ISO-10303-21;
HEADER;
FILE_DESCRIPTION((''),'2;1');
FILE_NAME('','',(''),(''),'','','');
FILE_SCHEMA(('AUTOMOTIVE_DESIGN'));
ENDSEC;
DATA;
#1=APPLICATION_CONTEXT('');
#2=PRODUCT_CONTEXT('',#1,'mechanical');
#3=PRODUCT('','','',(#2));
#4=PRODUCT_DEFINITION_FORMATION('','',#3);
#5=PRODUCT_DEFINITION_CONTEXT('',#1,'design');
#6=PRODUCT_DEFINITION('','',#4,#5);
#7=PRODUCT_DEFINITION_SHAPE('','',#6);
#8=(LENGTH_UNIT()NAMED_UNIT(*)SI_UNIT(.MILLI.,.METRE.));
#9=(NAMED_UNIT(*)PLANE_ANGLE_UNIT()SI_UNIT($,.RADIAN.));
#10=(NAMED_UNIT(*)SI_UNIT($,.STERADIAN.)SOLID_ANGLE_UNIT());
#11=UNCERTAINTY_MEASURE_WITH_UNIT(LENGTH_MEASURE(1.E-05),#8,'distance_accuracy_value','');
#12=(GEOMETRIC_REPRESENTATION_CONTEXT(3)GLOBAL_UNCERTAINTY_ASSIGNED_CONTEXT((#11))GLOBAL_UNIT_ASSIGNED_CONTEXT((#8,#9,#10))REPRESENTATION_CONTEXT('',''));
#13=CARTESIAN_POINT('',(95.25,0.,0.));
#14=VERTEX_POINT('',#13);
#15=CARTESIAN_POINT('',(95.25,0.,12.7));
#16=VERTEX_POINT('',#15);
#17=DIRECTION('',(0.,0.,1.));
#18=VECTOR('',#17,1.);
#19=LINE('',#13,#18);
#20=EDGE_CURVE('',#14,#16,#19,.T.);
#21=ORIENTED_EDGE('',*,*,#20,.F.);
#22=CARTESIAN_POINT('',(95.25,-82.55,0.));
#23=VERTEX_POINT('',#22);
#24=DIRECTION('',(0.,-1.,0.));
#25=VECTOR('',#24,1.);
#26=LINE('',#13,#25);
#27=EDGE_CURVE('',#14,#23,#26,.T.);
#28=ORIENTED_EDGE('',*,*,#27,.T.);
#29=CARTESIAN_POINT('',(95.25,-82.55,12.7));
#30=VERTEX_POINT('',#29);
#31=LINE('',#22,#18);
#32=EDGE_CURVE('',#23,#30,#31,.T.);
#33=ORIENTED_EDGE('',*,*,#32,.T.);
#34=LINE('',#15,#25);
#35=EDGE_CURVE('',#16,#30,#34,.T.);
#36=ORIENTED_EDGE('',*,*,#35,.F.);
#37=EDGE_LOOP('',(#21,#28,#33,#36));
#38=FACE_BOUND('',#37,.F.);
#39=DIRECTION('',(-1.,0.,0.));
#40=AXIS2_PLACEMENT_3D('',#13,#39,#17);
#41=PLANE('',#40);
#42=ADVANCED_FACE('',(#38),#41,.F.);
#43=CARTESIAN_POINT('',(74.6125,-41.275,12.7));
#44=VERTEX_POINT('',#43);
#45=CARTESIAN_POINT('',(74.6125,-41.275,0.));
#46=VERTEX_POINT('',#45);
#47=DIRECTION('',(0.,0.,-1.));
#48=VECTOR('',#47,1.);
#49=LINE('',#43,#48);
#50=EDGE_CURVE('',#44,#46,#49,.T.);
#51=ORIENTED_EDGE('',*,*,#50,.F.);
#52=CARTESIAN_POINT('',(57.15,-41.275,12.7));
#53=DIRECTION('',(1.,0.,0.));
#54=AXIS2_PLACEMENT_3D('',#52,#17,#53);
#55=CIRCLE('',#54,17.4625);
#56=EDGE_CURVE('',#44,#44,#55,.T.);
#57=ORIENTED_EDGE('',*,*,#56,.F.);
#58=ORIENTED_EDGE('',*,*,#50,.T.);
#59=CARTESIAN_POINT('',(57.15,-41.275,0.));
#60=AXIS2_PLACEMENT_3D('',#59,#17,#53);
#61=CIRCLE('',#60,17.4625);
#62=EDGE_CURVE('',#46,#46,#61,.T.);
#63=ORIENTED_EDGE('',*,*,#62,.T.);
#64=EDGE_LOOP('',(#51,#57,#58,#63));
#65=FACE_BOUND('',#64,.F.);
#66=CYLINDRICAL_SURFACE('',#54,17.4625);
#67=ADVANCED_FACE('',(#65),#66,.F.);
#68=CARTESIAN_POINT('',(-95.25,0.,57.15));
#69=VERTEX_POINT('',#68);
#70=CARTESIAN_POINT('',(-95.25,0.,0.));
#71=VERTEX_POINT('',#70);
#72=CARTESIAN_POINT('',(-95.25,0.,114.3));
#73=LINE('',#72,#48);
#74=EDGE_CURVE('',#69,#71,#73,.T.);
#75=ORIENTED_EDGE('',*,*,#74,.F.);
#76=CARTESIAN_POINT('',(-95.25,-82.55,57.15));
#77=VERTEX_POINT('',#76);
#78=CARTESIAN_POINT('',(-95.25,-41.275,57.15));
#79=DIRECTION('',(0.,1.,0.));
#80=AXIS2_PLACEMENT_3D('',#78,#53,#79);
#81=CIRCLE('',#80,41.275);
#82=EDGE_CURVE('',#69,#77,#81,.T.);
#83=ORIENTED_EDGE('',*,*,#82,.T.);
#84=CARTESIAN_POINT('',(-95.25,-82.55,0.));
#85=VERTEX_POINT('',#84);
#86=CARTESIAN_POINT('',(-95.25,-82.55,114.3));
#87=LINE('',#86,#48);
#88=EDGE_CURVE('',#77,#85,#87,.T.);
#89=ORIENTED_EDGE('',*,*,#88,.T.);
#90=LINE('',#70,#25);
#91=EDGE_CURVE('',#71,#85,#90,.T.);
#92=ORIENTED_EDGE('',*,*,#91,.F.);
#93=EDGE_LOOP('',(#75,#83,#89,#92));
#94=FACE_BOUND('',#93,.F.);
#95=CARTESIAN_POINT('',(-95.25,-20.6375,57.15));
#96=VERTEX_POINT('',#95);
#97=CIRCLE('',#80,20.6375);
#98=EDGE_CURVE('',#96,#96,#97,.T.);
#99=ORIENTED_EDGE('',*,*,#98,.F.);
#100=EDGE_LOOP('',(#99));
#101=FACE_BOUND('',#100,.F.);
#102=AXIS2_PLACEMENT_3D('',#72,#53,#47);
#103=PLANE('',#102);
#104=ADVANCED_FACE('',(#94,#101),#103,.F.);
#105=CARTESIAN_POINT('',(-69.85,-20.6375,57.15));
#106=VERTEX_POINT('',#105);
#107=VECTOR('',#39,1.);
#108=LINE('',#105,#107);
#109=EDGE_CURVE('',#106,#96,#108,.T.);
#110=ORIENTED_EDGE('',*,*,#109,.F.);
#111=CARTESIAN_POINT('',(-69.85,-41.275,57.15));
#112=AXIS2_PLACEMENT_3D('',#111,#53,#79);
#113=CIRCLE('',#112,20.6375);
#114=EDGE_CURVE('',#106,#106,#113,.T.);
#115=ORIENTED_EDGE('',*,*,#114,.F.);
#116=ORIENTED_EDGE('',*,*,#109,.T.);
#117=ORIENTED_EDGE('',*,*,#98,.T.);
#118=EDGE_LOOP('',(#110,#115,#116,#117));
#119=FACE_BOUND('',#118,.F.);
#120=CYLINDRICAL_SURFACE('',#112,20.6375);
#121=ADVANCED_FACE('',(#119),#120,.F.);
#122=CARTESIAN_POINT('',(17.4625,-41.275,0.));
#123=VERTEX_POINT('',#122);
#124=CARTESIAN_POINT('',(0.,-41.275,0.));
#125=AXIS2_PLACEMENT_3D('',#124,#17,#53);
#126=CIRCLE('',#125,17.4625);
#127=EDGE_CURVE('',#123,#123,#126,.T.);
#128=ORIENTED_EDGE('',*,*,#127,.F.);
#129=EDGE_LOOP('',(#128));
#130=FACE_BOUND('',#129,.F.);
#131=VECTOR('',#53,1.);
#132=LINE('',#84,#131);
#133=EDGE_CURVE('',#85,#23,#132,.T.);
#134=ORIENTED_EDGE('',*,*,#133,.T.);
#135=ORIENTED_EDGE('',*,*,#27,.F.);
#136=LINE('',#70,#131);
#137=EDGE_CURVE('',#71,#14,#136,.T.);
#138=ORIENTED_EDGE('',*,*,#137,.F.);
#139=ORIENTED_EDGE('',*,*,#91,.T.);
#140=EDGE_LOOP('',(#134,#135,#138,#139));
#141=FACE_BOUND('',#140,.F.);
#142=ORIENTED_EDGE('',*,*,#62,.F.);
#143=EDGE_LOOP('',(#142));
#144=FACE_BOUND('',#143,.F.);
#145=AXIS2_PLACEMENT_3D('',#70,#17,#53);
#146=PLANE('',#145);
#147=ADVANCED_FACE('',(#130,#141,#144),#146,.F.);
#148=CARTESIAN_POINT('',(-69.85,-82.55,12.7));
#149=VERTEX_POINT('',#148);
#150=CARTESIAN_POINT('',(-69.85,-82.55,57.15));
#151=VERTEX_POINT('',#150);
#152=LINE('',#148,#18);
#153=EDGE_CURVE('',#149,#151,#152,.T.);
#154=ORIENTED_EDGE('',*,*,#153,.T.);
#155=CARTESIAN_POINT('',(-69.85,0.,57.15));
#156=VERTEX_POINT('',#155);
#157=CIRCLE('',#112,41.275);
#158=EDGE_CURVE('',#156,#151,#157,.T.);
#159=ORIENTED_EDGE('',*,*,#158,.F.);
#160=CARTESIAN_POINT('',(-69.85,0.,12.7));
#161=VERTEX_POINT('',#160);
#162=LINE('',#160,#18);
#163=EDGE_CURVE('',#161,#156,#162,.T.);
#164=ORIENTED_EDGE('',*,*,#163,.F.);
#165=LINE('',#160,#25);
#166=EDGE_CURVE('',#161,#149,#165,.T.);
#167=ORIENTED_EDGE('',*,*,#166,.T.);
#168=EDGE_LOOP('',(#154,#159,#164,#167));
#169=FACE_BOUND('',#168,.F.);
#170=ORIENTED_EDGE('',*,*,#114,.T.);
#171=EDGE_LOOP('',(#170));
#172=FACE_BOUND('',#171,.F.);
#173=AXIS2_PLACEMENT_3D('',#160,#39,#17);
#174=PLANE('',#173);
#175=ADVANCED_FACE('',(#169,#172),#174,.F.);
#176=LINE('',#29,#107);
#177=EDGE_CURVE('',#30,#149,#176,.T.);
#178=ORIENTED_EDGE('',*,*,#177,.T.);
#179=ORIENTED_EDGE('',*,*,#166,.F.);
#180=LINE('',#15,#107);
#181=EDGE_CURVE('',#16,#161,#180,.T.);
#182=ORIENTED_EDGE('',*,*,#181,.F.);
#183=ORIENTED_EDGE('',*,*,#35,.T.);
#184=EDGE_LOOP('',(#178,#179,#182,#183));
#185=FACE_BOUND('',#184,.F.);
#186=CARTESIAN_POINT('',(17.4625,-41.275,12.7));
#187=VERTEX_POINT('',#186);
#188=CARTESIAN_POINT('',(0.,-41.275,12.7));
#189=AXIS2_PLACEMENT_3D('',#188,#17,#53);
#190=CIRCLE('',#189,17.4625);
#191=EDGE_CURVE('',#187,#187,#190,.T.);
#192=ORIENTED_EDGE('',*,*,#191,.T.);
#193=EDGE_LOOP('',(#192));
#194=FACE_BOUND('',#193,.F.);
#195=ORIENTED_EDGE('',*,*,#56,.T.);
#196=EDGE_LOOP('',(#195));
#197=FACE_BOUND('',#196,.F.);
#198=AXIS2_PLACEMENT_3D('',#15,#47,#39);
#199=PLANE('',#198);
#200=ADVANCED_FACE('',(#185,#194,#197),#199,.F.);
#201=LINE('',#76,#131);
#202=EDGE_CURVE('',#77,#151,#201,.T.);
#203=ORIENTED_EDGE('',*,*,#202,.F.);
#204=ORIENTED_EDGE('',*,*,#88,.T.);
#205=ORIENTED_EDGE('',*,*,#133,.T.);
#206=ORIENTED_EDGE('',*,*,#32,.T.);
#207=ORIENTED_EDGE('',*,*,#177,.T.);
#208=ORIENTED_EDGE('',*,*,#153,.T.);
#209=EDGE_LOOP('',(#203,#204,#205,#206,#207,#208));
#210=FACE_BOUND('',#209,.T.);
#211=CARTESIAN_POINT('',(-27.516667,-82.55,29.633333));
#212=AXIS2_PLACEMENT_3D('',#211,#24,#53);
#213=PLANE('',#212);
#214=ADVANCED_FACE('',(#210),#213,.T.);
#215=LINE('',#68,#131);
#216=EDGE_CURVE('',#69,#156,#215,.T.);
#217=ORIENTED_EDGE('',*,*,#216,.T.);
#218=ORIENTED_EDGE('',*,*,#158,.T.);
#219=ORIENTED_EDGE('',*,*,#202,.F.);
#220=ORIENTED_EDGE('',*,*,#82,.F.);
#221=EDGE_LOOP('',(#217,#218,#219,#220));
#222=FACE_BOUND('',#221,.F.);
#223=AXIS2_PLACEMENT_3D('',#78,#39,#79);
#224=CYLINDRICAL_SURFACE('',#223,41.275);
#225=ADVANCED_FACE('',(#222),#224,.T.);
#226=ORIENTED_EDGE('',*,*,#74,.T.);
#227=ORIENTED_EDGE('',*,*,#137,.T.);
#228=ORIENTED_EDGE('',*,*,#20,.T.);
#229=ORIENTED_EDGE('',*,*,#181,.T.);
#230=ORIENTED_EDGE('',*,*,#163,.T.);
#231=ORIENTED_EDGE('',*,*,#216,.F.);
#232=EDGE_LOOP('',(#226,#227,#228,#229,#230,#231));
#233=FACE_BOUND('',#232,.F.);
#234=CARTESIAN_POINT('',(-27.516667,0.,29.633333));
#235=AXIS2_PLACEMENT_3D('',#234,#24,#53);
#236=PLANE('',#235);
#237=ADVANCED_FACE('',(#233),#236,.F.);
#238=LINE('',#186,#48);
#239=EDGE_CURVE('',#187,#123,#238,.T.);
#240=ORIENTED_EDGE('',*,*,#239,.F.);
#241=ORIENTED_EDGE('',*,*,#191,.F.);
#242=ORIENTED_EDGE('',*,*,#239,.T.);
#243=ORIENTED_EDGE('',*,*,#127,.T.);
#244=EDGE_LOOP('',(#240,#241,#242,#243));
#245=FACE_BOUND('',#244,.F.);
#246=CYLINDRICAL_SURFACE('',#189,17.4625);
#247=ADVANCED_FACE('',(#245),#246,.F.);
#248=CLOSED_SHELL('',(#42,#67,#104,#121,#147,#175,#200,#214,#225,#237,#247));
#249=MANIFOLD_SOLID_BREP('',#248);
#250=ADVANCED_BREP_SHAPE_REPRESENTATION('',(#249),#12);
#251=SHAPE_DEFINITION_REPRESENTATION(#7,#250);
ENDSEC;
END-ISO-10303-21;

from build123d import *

# Parameters (mm, degrees)
F1_DEPTH = 82.55
F3_DEPTH = 25.4
F4_R     = 20.6375
F5_DEPTH = 25.4
F6_R     = 17.4625
F7_DEPTH = 25.4


with BuildPart() as f1:
    # F0 (on Front) → F1 (new body)
    with BuildSketch(Plane.XZ):
        Polygon((-95.25, 0), (0, 0), (95.25, 0), (95.25, 12.7), (-69.85, 12.7), (-69.85, 114.3), (-95.25, 114.3), align=None)
    extrude(amount=F1_DEPTH)

    # F2 (on face) → F3 (cut)
    with BuildSketch(Plane(origin=(-95.25, 0, 0), x_dir=(0, -1, 0), z_dir=(-1, 0, 0))):
        with BuildLine():
            ThreePointArc((0, 57.15), (41.275, 98.425), (82.55, 57.15))
            Line((82.55, 57.15), (82.55, 114.3))
            Line((82.55, 114.3), (0, 114.3))
            Line((0, 114.3), (0, 57.15))
        make_face()
    extrude(amount=-F3_DEPTH, mode=Mode.SUBTRACT)

    # F4 (on face) → F5 (cut)
    with BuildSketch(Plane.YZ.offset(-69.85)):
        with Locations((-41.275, 57.15)):
            Circle(F4_R)
    extrude(amount=-F5_DEPTH, mode=Mode.SUBTRACT)

    # F6 (on face) → F7 (cut)
    with BuildSketch(Plane.XY.offset(12.7)):
        with Locations((57.15, -41.275)):
            Circle(F6_R)
        with Locations((0, -41.275)):
            Circle(F6_R)
    extrude(amount=-F7_DEPTH, mode=Mode.SUBTRACT)


solid = f1.part
